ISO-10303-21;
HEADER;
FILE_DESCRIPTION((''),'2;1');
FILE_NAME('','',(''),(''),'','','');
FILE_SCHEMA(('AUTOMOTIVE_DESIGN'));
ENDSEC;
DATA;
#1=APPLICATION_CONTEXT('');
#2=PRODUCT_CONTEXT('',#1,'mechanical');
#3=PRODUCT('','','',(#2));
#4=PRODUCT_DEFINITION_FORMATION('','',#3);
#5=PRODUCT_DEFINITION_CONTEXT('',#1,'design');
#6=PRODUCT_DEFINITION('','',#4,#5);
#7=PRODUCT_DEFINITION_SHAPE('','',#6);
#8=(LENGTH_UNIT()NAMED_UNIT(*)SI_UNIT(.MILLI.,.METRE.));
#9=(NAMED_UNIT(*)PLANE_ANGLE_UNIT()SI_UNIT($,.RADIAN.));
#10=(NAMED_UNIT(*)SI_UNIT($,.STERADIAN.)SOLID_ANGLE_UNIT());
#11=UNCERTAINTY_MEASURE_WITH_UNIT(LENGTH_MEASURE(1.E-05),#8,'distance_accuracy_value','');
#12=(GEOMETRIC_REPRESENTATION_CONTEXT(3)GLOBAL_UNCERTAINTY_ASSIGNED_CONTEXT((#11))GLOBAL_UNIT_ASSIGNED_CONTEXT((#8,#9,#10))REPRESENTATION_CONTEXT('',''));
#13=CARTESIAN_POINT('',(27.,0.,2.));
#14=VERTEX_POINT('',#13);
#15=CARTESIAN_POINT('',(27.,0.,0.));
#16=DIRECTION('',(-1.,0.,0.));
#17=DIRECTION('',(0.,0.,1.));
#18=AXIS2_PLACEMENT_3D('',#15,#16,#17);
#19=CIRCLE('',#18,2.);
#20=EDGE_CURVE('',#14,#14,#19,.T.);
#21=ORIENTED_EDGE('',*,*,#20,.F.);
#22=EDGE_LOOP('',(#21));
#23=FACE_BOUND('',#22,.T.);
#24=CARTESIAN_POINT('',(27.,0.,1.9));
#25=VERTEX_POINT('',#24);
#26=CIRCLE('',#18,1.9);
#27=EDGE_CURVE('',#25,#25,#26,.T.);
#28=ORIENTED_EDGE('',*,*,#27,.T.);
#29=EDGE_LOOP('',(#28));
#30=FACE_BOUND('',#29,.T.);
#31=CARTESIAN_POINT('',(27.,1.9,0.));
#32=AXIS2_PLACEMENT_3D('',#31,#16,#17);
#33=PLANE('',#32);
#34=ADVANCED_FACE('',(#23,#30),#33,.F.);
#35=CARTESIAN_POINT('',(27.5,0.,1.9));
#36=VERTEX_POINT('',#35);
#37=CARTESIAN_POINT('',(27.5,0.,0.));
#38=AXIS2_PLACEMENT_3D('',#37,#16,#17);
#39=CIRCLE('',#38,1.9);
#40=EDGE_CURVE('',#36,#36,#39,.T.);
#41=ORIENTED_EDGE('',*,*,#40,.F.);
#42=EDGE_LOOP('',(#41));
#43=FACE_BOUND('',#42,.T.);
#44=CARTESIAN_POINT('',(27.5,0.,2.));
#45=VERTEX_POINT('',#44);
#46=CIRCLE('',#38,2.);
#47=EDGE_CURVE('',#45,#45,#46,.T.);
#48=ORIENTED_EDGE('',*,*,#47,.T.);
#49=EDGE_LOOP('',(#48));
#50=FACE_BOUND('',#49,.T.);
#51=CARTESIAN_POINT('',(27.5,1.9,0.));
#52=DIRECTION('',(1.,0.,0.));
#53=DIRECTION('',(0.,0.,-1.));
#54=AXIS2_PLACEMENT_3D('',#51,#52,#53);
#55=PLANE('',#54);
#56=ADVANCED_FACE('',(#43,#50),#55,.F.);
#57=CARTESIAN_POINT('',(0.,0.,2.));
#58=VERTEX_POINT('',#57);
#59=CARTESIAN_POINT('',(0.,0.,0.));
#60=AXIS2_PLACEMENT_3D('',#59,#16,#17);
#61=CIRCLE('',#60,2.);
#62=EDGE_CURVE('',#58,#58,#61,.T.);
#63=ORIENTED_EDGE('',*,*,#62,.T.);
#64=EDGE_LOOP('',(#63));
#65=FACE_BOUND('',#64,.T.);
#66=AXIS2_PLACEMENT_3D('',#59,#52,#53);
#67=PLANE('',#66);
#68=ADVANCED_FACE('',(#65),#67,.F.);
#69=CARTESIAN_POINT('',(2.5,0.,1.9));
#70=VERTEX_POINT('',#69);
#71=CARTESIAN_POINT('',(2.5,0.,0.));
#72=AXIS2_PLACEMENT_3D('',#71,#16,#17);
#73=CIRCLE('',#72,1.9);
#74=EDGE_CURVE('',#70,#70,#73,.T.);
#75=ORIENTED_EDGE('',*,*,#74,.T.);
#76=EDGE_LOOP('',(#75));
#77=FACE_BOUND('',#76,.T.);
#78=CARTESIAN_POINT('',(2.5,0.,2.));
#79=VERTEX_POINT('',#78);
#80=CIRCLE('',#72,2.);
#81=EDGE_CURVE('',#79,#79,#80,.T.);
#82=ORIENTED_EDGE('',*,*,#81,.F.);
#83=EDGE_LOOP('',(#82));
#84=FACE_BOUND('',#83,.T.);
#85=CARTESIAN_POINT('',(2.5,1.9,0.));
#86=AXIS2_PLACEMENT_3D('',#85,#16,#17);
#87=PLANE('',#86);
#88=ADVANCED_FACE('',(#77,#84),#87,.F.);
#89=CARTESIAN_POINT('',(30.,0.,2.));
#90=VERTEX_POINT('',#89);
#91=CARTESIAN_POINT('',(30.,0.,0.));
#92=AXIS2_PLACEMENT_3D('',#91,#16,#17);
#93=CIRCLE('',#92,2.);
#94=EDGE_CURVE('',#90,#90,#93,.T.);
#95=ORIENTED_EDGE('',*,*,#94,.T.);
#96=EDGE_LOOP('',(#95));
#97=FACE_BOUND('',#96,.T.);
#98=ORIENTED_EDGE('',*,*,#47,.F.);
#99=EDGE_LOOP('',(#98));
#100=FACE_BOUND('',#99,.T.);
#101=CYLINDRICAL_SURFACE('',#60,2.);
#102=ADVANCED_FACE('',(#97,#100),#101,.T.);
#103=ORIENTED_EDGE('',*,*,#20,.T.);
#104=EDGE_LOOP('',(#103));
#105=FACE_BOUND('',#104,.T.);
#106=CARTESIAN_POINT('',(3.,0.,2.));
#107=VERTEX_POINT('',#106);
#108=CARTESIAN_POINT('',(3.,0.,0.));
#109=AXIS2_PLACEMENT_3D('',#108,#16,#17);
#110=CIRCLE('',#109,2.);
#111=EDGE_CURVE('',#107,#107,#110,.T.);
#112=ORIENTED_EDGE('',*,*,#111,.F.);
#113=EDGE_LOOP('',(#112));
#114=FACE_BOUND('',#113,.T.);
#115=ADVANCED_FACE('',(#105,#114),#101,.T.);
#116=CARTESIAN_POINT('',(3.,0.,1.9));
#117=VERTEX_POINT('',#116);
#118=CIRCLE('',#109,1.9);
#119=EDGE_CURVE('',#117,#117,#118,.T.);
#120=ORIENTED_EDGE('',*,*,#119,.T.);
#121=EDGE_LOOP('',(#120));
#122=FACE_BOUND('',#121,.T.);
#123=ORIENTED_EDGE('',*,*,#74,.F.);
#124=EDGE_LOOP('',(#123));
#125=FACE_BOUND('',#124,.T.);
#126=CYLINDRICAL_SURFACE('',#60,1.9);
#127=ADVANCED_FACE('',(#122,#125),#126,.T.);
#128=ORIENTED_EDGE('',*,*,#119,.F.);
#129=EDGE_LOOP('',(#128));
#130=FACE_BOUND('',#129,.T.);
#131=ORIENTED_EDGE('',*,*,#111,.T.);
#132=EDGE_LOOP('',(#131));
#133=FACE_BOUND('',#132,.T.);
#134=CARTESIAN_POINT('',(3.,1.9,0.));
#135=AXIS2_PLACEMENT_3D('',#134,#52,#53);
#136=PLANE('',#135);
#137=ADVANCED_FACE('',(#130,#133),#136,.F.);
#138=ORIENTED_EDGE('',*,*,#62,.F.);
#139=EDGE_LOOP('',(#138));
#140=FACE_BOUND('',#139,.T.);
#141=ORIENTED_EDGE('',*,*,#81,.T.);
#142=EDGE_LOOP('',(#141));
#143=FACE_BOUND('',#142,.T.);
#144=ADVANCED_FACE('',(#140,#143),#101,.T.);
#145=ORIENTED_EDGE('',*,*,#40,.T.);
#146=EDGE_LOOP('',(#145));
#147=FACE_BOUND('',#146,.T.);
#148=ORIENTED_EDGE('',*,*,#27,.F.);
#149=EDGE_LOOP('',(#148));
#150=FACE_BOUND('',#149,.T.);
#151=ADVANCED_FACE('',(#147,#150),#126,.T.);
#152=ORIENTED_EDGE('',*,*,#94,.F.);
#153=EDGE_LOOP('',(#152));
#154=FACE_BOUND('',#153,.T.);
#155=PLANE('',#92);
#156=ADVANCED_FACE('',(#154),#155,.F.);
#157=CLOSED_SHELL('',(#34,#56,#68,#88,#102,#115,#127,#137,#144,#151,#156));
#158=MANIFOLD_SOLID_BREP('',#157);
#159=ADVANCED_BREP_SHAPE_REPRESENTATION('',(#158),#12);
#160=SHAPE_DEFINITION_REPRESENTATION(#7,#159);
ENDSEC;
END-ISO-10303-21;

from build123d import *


with BuildPart() as part:
    # Çizim1 → Döndür1 (revolve)
    with BuildSketch(Plane.XY, mode=Mode.PRIVATE) as d_nd_r1_sk:
        Polygon((0, 0), (30, 0), (30, 2), (27.5, 2), (27.5, 1.9), (27, 1.9), (27, 2), (3, 2), (3, 1.9), (2.5, 1.9), (2.5, 2), (0, 2), align=None)
    revolve(d_nd_r1_sk.sketch.rotate(Axis((0, 0, 0), (1, 0, 0)), 90), axis=Axis((0, 0, 0), (1, 0, 0)))


solid = part.part
